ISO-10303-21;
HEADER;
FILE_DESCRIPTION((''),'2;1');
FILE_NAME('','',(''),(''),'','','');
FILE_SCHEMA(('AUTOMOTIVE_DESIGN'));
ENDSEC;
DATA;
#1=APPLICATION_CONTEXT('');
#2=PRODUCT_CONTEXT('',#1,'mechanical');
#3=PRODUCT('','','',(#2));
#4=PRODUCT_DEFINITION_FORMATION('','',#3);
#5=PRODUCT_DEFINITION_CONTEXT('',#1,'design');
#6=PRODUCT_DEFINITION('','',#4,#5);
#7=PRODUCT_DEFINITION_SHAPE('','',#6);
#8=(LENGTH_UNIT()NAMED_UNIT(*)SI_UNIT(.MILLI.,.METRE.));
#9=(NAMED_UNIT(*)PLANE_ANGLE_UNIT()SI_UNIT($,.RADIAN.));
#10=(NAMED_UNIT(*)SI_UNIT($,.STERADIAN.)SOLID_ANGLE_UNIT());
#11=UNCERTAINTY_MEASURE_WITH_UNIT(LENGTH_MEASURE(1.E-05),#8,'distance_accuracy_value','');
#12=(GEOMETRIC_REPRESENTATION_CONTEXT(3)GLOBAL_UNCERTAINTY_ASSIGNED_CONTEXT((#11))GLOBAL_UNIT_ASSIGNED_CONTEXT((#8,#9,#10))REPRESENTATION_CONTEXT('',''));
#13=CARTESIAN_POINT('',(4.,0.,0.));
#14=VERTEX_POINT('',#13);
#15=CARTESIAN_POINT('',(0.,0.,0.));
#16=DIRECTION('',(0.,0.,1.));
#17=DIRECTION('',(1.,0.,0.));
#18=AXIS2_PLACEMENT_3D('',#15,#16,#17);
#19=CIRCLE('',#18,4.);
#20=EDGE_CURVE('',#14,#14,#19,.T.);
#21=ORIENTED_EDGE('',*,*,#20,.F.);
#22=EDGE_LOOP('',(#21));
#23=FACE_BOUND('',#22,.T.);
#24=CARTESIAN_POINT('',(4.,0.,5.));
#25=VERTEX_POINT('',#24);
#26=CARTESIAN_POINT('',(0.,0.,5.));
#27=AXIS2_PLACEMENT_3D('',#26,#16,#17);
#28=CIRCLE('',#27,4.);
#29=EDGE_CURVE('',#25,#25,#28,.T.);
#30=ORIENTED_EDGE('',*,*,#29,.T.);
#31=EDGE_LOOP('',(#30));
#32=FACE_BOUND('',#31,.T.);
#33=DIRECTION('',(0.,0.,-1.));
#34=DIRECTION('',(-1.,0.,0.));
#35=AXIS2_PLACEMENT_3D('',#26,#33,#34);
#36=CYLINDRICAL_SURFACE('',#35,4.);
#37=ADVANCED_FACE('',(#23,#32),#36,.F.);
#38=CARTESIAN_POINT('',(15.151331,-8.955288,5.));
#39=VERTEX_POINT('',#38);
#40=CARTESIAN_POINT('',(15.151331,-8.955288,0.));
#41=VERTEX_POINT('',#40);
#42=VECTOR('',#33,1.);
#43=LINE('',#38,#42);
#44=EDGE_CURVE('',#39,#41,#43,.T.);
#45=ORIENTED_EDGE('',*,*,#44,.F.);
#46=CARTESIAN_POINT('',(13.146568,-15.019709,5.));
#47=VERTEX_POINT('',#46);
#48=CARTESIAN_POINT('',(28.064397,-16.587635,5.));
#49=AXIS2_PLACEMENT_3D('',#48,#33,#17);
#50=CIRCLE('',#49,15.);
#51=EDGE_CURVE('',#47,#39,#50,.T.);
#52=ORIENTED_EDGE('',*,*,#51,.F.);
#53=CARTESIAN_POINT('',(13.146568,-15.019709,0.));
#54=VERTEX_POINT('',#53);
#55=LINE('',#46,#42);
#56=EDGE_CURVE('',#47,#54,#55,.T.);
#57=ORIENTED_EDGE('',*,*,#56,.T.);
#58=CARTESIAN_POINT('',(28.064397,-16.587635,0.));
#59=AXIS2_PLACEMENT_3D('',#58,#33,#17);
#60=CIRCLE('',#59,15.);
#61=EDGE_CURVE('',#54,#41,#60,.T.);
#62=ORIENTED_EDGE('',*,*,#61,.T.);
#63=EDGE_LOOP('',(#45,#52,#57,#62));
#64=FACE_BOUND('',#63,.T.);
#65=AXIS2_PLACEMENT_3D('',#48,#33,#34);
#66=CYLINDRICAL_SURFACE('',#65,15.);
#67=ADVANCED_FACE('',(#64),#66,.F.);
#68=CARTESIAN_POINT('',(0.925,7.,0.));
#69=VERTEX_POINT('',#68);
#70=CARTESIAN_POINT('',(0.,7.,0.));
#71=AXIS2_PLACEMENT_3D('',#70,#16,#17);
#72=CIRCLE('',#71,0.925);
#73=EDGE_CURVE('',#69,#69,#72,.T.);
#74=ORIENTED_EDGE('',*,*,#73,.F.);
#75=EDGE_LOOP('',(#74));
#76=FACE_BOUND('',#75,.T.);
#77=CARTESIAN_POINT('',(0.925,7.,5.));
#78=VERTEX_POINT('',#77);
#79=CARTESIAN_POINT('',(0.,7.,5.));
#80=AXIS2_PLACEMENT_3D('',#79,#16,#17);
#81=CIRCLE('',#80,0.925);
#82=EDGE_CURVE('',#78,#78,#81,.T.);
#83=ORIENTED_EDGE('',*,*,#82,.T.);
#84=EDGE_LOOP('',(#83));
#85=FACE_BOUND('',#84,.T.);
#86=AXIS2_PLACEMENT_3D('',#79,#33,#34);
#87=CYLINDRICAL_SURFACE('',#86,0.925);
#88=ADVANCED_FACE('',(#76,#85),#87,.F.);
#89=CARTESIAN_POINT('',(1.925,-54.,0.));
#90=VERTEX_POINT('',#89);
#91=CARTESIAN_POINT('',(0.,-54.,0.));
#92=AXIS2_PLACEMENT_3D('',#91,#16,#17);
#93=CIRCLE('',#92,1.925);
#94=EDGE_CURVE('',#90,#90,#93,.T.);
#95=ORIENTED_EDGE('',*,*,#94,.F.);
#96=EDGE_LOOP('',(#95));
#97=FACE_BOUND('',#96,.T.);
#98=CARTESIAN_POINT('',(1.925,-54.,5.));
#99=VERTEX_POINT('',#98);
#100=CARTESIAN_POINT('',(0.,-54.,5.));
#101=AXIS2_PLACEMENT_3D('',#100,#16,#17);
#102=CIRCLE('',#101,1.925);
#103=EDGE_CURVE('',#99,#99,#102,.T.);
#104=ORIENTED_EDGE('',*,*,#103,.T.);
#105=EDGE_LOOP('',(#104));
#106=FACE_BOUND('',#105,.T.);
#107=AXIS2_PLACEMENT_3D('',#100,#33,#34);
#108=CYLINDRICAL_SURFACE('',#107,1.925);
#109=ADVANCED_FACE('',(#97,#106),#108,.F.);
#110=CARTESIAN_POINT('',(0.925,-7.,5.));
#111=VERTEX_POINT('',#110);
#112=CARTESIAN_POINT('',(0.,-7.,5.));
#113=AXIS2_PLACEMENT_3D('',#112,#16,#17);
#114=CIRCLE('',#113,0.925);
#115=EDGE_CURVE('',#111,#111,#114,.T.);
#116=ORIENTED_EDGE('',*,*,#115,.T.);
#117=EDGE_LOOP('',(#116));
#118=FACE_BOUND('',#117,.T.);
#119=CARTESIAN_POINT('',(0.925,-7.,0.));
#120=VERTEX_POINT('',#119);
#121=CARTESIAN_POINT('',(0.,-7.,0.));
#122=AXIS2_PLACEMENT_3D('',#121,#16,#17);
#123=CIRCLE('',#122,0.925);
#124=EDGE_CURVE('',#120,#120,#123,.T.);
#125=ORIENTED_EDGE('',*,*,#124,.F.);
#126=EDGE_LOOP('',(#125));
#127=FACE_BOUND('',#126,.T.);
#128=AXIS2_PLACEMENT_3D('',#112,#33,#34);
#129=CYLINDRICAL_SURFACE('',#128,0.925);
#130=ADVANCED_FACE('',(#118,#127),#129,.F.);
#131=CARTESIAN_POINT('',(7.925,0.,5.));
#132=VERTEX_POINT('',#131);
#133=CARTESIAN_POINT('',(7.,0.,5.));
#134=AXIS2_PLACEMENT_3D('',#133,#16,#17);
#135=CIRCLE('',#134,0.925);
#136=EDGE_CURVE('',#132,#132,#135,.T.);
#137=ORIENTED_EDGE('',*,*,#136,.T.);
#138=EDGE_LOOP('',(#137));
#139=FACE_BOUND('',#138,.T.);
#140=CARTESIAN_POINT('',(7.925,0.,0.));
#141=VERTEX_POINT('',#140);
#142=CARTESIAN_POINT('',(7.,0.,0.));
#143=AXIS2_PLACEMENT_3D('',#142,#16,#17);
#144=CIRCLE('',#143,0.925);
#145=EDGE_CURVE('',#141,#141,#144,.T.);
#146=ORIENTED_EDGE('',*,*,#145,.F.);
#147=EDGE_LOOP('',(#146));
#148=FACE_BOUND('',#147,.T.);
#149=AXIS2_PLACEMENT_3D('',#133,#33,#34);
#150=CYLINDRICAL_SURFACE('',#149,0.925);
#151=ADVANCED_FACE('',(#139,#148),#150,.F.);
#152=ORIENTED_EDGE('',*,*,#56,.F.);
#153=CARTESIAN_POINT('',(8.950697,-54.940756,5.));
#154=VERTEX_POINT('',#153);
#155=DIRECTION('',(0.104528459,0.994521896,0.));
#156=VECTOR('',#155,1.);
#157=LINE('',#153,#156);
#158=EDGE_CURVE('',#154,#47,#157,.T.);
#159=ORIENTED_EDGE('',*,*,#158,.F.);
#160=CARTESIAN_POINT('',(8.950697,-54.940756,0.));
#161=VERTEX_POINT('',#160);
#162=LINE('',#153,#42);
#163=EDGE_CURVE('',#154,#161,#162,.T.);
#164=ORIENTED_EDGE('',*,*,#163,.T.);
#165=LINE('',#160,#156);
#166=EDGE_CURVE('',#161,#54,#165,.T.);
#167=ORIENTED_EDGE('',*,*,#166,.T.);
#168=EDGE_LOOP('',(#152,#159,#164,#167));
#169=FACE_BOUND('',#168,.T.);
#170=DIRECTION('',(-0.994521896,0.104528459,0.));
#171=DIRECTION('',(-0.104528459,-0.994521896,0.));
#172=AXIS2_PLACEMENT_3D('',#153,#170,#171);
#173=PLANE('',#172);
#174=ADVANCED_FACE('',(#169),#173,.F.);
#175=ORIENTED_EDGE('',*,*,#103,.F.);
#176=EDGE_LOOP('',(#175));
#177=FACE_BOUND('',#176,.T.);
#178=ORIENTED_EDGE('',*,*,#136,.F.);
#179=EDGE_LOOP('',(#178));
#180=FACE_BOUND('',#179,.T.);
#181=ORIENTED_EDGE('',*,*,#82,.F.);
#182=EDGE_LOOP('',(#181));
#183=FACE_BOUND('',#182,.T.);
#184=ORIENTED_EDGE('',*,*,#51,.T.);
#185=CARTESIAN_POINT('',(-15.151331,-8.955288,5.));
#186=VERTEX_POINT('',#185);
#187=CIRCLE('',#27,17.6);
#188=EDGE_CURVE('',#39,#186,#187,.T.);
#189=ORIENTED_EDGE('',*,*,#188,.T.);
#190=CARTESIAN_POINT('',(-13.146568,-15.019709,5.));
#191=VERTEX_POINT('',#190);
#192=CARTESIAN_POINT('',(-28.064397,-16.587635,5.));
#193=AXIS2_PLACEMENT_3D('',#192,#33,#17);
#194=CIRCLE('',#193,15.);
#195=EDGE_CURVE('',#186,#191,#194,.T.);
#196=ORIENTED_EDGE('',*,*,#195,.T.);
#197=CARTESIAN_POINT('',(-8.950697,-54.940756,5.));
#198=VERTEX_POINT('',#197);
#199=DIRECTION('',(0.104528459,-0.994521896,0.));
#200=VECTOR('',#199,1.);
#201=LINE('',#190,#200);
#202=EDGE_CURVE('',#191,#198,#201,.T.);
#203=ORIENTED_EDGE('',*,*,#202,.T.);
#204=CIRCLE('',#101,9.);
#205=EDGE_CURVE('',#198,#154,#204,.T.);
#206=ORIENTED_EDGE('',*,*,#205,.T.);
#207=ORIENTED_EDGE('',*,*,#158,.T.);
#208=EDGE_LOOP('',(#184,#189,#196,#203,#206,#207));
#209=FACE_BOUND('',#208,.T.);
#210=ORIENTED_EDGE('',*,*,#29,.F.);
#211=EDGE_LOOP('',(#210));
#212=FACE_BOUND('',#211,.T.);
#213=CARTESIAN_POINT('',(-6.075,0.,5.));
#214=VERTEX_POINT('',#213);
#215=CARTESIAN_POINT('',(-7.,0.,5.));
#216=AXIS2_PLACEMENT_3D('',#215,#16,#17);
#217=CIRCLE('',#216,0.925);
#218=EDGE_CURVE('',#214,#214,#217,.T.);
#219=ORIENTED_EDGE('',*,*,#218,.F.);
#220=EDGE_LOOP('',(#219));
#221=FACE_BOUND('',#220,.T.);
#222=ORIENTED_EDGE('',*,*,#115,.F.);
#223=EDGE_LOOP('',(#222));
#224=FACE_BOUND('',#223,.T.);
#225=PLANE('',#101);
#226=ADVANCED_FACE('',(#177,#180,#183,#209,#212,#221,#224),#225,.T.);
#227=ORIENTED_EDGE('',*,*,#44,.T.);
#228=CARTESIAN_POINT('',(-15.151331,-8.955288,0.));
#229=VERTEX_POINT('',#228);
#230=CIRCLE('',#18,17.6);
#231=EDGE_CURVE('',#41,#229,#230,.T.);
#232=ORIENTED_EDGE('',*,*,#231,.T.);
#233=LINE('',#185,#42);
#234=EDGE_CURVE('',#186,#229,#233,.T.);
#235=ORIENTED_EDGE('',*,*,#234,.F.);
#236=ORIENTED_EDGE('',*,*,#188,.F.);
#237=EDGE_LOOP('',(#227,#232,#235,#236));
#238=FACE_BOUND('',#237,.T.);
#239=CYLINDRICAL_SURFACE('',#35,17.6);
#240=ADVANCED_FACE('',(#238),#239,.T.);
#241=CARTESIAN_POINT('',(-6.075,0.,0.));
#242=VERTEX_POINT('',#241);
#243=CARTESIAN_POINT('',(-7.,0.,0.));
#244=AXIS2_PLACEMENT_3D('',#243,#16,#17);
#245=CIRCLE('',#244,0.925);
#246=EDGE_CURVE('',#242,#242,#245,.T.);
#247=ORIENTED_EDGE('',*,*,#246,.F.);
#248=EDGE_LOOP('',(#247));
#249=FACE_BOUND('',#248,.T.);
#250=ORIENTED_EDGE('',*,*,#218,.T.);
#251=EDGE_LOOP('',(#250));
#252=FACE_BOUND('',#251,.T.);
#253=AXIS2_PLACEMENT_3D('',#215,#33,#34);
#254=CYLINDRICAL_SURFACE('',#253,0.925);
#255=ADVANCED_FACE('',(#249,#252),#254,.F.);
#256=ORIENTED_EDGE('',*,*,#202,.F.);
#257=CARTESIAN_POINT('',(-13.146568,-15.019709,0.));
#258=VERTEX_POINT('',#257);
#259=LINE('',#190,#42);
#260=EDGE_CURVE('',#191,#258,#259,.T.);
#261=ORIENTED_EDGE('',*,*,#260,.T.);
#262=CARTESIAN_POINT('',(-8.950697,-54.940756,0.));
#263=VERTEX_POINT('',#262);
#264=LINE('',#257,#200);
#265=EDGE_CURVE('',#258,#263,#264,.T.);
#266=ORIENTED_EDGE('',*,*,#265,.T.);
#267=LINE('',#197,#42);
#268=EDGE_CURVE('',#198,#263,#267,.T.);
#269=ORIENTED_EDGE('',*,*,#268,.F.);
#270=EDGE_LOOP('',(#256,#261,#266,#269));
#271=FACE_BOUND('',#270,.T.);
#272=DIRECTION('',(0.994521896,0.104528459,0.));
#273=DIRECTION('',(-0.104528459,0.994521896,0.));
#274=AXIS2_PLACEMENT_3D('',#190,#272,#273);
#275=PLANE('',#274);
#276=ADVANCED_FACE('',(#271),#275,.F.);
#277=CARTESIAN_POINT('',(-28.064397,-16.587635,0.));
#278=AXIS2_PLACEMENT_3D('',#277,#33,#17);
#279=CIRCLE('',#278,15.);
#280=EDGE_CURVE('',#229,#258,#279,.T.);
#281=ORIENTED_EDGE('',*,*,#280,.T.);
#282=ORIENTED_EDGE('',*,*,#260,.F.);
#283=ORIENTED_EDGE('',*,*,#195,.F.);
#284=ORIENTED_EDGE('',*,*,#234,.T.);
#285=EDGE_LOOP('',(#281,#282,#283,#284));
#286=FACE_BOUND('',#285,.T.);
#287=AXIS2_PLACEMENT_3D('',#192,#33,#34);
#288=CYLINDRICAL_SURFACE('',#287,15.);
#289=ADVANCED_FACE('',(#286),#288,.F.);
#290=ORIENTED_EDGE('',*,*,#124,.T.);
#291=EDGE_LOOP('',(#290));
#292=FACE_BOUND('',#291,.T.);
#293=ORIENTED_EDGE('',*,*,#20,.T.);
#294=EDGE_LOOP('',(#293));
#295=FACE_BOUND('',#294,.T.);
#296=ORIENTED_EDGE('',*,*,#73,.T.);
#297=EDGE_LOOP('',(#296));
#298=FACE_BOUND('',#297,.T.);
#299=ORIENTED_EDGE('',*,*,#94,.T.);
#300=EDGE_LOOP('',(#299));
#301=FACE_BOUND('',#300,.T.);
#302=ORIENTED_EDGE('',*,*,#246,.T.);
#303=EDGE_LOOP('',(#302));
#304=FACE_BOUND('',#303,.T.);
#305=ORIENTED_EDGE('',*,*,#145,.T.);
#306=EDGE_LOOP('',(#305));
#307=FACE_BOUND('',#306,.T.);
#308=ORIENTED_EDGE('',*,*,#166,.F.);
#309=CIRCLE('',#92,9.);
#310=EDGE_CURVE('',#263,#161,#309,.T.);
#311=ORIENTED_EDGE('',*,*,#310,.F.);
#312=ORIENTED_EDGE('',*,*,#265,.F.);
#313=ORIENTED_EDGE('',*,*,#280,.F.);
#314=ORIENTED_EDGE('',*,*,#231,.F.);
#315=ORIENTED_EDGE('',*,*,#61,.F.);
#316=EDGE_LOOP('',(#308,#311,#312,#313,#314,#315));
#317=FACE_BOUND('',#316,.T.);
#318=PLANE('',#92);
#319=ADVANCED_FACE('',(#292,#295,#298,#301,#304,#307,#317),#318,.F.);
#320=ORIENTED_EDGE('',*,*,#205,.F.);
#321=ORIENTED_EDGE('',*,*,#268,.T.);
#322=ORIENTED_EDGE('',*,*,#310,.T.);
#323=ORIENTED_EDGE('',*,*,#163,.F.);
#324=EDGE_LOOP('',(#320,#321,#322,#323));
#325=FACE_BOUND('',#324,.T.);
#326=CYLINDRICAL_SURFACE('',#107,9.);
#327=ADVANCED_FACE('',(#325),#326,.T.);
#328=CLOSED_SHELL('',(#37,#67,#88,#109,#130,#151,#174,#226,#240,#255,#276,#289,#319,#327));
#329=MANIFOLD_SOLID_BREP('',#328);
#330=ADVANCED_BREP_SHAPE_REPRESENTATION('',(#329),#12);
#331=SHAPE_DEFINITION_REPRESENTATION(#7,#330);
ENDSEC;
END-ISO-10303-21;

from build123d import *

# Parameters (mm, degrees)
ESQUISSE1_R        = 1.925
ESQUISSE1_R_2      = 0.925
ESQUISSE1_R_3      = 4
BOSS_EXTRU_1_DEPTH = 5


with BuildPart() as part:
    # Esquisse1 → Boss.-Extru.1 (new body)
    with BuildSketch(Plane.XY):
        with BuildLine():
            Line((8.950697062, -54.94075613), (13.146568064, -15.019708545))
            ThreePointArc((13.146568064, -15.019708545), (13.822417384, -11.87955399), (15.151330627, -8.955287839))
            ThreePointArc((15.151330627, -8.955287839), (0, 17.600000001), (-15.151330627, -8.955287839))
            ThreePointArc((-15.151330627, -8.955287839), (-13.822417384, -11.87955399), (-13.146568064, -15.019708545))
            Line((-13.146568064, -15.019708545), (-8.950697062, -54.94075613))
            ThreePointArc((-8.950697062, -54.94075613), (0, -63), (8.950697062, -54.94075613))
        make_face()
        with Locations((0, -54)):
            Circle(ESQUISSE1_R, mode=Mode.SUBTRACT)
        with Locations((7, 0)):
            Circle(ESQUISSE1_R_2, mode=Mode.SUBTRACT)
        with Locations((0, -7)):
            Circle(ESQUISSE1_R_2, mode=Mode.SUBTRACT)
        with Locations((0, 7)):
            Circle(ESQUISSE1_R_2, mode=Mode.SUBTRACT)
        with Locations((-7, 0)):
            Circle(ESQUISSE1_R_2, mode=Mode.SUBTRACT)
        Circle(ESQUISSE1_R_3, mode=Mode.SUBTRACT)
    extrude(amount=BOSS_EXTRU_1_DEPTH)


solid = part.part
